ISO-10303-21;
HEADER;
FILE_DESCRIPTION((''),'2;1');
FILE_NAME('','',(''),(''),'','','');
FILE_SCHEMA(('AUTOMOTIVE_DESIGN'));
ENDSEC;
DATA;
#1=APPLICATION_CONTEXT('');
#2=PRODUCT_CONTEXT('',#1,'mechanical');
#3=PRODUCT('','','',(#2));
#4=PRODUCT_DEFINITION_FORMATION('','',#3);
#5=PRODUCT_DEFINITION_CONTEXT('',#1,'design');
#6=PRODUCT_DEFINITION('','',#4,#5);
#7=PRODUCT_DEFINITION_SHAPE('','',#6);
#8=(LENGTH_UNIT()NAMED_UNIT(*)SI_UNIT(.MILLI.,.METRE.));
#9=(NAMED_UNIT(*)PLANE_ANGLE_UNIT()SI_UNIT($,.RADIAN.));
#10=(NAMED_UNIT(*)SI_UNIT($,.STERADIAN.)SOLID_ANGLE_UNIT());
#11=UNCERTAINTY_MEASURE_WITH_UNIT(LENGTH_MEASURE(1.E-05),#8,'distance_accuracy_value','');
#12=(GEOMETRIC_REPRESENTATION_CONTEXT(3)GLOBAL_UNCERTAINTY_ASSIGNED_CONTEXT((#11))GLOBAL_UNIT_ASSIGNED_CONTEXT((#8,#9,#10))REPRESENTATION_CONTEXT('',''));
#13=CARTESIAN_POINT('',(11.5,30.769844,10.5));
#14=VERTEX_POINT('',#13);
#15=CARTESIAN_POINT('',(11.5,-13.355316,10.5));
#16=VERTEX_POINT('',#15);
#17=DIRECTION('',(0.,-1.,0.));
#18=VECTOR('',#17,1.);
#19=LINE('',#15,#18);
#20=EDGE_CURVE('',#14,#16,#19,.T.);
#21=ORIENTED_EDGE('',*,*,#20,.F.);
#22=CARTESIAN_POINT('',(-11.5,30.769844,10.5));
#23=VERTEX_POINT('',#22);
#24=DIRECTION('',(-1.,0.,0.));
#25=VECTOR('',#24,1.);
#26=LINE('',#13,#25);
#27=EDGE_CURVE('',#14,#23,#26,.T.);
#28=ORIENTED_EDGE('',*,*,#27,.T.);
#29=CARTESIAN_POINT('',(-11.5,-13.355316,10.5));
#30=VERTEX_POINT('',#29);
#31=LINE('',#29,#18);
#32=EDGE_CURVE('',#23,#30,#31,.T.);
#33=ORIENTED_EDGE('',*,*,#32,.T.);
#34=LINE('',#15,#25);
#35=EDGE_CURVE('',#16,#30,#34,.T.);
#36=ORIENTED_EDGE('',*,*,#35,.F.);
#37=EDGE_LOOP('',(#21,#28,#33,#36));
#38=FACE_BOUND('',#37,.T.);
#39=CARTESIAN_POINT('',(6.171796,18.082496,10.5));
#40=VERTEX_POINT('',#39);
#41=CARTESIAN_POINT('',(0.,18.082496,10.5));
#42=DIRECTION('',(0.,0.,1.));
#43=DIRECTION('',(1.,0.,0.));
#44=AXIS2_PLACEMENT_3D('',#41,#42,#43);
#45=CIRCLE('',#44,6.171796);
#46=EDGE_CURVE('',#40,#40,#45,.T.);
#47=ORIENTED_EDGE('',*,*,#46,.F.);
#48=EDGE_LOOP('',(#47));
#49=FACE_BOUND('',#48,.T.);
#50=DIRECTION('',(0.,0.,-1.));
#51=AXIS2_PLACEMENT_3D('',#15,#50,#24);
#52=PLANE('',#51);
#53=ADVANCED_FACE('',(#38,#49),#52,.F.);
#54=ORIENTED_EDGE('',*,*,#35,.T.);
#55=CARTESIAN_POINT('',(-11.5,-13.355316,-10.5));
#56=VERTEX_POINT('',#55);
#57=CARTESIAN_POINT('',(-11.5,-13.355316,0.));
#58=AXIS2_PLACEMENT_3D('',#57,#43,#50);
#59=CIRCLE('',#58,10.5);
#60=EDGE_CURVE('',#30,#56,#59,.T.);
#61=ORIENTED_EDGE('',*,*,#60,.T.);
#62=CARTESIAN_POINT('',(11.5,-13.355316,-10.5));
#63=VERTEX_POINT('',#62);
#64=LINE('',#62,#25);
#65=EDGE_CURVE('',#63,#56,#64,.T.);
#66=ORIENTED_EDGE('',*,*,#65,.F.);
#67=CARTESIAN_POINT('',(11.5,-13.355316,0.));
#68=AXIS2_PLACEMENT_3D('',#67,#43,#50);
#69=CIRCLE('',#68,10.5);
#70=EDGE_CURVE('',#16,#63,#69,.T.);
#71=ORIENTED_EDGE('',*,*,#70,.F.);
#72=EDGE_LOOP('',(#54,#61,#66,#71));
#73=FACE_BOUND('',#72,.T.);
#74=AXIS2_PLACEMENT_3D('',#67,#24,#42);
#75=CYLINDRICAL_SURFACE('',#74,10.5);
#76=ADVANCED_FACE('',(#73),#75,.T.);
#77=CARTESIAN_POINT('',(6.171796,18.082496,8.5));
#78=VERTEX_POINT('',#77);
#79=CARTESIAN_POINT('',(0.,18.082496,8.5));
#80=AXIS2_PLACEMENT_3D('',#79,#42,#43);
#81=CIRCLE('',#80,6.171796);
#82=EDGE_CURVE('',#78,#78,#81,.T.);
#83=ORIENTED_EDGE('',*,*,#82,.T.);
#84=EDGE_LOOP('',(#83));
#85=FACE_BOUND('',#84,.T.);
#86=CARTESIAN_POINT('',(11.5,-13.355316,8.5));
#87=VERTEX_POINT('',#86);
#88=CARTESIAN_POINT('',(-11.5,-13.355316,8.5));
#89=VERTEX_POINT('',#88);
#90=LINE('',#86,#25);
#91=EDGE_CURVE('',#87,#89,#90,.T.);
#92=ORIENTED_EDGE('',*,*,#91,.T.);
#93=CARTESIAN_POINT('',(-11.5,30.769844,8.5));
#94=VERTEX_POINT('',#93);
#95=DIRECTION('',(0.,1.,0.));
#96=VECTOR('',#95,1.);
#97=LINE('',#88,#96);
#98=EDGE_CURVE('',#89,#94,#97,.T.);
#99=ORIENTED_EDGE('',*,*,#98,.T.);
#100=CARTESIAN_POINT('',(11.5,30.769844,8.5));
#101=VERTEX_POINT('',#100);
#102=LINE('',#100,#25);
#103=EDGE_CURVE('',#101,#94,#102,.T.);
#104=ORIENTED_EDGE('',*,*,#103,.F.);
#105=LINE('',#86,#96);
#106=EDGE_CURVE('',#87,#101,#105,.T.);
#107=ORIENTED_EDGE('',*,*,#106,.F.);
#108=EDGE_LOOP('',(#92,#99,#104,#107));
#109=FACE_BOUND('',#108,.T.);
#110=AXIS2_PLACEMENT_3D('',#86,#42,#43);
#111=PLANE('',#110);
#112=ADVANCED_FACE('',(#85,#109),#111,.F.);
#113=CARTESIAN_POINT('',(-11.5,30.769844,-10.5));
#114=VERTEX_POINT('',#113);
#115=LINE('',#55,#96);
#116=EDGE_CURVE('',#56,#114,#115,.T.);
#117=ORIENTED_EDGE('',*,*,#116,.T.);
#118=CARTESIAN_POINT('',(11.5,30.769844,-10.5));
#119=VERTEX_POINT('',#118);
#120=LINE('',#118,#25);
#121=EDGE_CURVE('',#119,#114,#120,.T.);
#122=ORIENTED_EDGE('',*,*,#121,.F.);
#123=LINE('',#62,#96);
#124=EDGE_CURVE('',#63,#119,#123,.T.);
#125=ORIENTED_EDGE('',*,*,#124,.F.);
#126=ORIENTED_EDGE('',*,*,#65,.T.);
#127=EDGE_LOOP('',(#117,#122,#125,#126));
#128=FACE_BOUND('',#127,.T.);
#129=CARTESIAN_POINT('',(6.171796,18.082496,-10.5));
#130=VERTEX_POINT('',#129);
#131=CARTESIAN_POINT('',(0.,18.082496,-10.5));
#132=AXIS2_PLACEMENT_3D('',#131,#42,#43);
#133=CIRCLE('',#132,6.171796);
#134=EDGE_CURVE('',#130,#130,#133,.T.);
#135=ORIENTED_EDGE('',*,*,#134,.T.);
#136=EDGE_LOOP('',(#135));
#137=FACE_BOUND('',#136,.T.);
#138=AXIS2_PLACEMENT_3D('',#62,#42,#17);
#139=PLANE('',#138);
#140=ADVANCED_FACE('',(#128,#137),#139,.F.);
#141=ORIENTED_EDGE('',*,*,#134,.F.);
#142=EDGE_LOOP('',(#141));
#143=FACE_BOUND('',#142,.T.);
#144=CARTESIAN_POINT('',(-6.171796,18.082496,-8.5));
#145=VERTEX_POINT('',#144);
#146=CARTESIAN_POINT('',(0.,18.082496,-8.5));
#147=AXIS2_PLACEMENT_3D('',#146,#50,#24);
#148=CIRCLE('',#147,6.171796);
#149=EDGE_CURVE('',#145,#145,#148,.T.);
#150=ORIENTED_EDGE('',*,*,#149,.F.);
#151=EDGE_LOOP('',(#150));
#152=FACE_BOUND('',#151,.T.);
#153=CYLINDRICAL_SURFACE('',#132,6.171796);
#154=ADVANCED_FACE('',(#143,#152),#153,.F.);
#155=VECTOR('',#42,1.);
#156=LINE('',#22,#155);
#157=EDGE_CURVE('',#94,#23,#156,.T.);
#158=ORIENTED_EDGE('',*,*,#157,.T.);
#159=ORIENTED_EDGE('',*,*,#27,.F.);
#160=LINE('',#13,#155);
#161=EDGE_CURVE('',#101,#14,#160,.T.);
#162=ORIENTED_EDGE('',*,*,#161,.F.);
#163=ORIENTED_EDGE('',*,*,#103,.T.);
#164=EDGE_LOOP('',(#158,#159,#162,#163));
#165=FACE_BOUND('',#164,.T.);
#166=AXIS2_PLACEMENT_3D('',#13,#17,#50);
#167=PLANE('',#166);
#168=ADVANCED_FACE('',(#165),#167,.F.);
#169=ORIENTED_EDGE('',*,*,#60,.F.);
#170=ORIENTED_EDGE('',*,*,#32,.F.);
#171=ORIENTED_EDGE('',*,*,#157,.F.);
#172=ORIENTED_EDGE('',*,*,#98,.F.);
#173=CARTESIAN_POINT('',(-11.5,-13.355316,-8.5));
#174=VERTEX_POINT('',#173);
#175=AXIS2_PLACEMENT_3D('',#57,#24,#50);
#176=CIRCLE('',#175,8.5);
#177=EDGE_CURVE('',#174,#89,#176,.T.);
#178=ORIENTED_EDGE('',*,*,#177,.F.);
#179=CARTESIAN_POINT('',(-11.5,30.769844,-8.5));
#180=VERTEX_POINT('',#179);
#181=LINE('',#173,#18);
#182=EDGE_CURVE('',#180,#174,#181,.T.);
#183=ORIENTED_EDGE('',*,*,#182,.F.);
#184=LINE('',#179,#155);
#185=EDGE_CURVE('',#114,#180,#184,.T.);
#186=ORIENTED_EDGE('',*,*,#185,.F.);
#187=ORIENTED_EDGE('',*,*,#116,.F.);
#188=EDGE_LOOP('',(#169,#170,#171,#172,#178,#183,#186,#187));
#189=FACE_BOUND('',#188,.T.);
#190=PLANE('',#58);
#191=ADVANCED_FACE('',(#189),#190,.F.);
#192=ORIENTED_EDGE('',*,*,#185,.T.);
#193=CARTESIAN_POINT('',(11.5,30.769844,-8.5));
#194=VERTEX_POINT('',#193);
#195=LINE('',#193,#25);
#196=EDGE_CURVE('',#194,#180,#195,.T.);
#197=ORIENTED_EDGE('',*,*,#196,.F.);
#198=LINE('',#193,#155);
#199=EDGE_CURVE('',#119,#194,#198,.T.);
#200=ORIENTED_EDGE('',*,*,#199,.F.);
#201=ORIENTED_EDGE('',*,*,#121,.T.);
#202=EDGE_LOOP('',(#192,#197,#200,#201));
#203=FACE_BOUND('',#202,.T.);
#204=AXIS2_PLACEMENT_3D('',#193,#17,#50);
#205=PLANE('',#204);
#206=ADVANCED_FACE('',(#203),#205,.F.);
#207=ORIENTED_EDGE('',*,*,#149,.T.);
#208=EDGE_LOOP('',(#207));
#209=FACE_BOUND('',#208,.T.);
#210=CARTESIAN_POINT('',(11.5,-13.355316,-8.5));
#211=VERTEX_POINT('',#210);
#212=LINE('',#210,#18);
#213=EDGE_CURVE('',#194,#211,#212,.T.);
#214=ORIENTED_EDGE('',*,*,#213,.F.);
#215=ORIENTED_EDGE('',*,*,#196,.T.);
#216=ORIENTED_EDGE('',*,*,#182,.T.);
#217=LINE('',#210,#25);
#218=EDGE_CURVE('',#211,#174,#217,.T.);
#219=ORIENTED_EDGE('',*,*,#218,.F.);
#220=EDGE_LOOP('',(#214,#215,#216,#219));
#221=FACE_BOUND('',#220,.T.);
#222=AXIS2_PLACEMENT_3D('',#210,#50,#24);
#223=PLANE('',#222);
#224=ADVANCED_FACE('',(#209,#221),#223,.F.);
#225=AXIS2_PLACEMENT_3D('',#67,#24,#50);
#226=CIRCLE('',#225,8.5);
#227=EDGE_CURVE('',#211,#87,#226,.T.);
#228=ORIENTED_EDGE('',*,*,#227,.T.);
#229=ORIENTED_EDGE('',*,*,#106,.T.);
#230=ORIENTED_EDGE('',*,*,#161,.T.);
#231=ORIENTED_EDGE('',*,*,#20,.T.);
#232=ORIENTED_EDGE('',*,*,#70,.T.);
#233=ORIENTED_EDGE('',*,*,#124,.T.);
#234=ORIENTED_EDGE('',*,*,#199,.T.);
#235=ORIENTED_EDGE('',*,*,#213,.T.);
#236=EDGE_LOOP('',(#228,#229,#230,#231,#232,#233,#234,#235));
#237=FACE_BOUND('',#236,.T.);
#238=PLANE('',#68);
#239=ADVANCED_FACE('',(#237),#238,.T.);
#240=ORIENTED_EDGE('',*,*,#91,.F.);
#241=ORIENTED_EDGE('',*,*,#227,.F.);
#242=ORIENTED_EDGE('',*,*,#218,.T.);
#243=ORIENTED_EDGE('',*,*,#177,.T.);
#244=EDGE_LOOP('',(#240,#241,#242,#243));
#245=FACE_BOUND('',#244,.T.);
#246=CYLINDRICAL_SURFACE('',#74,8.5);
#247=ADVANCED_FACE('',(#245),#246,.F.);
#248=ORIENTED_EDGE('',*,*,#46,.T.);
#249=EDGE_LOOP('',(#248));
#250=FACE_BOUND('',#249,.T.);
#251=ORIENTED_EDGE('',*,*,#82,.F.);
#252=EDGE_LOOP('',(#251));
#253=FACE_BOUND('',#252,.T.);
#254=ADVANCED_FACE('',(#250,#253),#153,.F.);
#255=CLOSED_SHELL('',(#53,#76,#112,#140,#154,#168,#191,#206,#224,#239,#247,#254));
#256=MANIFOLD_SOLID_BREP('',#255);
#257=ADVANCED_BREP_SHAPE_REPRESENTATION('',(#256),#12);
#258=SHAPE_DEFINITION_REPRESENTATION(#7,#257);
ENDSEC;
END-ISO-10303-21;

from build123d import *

# Parameters (mm, degrees)
BOSS_EXTRUDE1_DEPTH = 11.5
SKETCH3_R           = 6.171796323
CUT_EXTRUDE1_DEPTH  = 22


with BuildPart() as part:
    # Sketch2 → Boss-Extrude1 (new body, symmetric)
    with BuildSketch(Plane(origin=(0, 0, 0), x_dir=(0, 0, -1), z_dir=(1, 0, 0))):
        with BuildLine():
            Line((-10.5, -13.355315719), (-10.5, 30.769844031))
            Line((-10.5, 30.769844031), (-8.5, 30.769844031))
            Line((-8.5, 30.769844031), (-8.5, -13.355315719))
            ThreePointArc((-8.5, -13.355315719), (0, -21.855315719), (8.5, -13.355315719))
            Line((8.5, -13.355315719), (8.5, 30.769844031))
            Line((8.5, 30.769844031), (10.5, 30.769844031))
            Line((10.5, 30.769844031), (10.5, -13.355315719))
            ThreePointArc((10.5, -13.355315719), (0, -23.855315719), (-10.5, -13.355315719))
        make_face()
    extrude(amount=BOSS_EXTRUDE1_DEPTH, both=True)

    # Sketch3 → Cut-Extrude1 (cut, through all)
    with BuildSketch(Plane.XY.offset(10.5)):
        with Locations((0, 18.082496022)):
            Circle(SKETCH3_R)
    extrude(amount=-CUT_EXTRUDE1_DEPTH, mode=Mode.SUBTRACT)


solid = part.part
